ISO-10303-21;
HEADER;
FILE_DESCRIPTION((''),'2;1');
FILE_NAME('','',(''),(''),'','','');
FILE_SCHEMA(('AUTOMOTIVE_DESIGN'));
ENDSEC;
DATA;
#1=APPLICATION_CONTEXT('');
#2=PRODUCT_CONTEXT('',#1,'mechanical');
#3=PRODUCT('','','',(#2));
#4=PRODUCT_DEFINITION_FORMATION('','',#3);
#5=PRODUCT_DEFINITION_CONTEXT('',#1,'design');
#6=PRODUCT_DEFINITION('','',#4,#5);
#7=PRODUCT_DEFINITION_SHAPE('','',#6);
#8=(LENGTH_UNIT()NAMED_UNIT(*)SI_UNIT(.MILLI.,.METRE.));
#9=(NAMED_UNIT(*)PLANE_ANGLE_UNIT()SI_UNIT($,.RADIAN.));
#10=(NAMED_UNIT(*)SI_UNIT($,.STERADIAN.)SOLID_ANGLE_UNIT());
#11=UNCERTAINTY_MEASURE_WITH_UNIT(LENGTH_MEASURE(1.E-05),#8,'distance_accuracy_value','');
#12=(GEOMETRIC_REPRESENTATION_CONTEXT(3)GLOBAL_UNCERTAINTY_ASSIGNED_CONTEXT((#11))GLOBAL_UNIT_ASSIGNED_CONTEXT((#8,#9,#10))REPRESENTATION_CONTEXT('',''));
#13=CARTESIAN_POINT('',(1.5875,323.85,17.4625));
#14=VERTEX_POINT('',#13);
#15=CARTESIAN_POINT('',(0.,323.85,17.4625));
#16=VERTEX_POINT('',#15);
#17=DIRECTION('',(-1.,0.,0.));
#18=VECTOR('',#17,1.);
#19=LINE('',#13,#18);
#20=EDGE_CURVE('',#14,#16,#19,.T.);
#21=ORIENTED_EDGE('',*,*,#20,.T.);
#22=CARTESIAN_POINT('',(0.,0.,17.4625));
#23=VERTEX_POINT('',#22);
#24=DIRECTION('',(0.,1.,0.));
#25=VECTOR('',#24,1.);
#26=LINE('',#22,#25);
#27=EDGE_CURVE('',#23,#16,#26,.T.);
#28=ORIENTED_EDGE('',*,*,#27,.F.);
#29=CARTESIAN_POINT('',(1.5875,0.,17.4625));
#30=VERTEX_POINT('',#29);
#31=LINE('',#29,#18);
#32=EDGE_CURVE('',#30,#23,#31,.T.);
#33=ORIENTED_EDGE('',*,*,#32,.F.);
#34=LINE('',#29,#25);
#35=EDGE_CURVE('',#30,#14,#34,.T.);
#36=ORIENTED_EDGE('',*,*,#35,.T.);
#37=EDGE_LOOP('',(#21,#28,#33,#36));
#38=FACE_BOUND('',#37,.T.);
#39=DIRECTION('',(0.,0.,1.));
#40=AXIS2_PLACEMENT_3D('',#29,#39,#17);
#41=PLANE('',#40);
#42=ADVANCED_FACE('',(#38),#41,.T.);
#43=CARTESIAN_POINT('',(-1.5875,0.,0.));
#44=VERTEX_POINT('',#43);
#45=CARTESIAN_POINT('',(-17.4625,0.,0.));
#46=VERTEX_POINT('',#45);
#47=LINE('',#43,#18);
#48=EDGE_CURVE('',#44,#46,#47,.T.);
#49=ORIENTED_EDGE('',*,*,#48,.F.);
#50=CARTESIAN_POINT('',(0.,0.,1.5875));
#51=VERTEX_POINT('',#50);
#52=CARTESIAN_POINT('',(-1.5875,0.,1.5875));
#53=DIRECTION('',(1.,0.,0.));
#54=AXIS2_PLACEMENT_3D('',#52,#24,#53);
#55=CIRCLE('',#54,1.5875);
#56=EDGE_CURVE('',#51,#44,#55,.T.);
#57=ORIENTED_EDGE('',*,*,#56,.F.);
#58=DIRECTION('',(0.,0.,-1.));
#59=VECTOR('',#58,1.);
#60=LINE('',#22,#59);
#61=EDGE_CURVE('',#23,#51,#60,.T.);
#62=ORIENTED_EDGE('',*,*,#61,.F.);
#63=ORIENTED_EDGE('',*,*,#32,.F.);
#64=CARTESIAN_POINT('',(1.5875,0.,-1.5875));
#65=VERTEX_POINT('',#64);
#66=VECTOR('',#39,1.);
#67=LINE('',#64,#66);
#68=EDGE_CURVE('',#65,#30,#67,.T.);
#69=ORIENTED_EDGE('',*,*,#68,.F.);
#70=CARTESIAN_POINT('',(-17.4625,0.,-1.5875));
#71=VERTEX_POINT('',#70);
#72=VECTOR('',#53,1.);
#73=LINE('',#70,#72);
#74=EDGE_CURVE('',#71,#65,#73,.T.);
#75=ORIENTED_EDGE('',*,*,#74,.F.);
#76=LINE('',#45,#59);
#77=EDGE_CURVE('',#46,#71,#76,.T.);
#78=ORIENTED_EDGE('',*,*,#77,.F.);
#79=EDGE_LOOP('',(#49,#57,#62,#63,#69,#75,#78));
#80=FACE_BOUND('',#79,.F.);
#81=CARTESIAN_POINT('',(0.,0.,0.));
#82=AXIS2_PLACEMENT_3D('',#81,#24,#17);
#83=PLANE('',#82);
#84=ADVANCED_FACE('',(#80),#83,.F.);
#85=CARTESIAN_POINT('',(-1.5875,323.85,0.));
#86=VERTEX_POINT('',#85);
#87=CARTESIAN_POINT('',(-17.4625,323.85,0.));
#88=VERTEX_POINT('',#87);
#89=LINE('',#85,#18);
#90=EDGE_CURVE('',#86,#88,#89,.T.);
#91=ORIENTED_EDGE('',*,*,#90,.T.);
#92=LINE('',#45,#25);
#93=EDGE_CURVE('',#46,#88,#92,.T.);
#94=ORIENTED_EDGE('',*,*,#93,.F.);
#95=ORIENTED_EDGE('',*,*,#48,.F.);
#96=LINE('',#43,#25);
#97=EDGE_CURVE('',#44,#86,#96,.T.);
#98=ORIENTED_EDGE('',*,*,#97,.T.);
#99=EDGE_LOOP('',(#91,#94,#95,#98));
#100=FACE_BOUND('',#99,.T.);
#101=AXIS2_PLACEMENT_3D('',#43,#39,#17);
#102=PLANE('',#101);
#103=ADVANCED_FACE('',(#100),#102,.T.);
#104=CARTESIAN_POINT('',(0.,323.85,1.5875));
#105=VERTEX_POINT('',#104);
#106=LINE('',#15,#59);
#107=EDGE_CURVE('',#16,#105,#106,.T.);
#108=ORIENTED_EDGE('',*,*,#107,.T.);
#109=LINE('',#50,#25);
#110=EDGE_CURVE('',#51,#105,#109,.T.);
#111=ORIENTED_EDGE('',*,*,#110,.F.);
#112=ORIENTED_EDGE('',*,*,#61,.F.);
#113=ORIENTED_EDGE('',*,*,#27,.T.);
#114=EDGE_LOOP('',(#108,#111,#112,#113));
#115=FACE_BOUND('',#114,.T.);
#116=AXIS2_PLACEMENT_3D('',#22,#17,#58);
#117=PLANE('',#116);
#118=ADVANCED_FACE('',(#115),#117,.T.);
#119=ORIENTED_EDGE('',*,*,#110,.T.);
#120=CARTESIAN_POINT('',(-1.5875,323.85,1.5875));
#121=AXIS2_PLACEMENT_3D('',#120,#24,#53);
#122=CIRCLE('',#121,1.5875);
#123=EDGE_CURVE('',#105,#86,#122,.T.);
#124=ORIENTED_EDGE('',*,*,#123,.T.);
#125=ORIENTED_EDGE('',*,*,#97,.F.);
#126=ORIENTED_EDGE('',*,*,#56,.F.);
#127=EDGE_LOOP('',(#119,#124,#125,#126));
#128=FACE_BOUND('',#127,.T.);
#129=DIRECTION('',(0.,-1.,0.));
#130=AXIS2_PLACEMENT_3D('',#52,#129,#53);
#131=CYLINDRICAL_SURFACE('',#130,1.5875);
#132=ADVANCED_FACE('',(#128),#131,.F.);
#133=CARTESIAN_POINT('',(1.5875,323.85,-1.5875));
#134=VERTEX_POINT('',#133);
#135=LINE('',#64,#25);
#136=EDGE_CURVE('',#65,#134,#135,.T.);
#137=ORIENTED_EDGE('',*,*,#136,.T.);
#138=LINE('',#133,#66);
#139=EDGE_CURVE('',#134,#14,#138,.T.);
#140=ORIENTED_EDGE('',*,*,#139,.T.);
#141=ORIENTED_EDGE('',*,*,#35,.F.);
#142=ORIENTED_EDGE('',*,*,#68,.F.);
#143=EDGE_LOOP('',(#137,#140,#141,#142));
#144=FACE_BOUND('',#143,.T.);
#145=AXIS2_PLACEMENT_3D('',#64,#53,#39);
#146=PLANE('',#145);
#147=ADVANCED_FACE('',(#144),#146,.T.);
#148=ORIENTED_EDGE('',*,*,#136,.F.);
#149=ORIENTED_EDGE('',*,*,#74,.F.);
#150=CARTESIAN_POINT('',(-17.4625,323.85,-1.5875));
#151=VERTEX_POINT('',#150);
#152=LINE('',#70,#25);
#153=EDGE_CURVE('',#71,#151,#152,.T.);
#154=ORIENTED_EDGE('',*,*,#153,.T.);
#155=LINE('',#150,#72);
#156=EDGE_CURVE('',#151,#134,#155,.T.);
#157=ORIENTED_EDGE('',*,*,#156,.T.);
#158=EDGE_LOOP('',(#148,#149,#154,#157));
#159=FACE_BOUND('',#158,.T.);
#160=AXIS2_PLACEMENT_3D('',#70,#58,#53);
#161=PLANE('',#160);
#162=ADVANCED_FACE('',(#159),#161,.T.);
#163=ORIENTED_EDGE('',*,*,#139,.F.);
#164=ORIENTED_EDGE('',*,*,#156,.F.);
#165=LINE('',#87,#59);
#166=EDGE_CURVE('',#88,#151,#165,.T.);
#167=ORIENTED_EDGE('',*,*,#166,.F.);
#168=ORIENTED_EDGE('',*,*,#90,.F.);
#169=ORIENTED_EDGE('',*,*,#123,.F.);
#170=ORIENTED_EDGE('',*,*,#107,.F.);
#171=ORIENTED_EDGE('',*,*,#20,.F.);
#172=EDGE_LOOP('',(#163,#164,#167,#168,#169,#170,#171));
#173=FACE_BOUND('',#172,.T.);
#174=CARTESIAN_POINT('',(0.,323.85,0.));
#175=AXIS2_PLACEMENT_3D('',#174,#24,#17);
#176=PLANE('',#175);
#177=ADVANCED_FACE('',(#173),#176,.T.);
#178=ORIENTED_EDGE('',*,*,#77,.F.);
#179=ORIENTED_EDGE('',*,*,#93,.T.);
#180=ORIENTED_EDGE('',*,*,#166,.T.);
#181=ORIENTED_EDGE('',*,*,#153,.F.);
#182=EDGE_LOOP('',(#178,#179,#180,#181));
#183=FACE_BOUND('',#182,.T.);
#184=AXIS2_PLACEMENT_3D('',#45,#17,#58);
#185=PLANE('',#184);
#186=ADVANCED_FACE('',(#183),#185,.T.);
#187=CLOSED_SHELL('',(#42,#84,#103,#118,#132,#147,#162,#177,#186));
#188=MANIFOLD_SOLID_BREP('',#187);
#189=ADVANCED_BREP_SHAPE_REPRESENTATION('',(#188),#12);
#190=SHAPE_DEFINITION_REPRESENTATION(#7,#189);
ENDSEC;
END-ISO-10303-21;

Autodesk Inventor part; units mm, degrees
ref_plane "YZ Plane" through (0, 0, 0) normal (1, 0, 0) x (0, 1, 0)
ref_plane "XZ Plane" through (0, 0, 0) normal (0, 1, 0) x (-1, 0, 0)
ref_plane "XY Plane" through (0, 0, 0) normal (0, 0, 1) x (1, 0, 0)
sketch "Sketch1" plane through (0, 0, 0) normal (0, 1, 0) x (-1, 0, 0)
  line L0 (0, 17.4625) -> (0, 1.5875)
  line L1 (1.5875, 0) -> (17.4625, 0)
  line L2 (17.4625, 0) -> (17.4625, -1.5875)
  line L3 (17.4625, -1.5875) -> (-1.5875, -1.5875)
  line L4 (-1.5875, -1.5875) -> (-1.5875, 17.4625)
  line L5 (-1.5875, 17.4625) -> (0, 17.4625)
  arc A0 (0, 1.5875) -> (1.5875, 0) centre (1.5875, 1.5875) ccw
  point P0 (0, 0)
  dimension "d0" = 1.5875
  dimension "d1" = 19.05
  dimension "d2" = 1.5875
extrude "Extrusion1" add sketch "Sketch1" along normal blind 323.85
properties part number "Short Wall Cross" material "Aluminum 6061"
